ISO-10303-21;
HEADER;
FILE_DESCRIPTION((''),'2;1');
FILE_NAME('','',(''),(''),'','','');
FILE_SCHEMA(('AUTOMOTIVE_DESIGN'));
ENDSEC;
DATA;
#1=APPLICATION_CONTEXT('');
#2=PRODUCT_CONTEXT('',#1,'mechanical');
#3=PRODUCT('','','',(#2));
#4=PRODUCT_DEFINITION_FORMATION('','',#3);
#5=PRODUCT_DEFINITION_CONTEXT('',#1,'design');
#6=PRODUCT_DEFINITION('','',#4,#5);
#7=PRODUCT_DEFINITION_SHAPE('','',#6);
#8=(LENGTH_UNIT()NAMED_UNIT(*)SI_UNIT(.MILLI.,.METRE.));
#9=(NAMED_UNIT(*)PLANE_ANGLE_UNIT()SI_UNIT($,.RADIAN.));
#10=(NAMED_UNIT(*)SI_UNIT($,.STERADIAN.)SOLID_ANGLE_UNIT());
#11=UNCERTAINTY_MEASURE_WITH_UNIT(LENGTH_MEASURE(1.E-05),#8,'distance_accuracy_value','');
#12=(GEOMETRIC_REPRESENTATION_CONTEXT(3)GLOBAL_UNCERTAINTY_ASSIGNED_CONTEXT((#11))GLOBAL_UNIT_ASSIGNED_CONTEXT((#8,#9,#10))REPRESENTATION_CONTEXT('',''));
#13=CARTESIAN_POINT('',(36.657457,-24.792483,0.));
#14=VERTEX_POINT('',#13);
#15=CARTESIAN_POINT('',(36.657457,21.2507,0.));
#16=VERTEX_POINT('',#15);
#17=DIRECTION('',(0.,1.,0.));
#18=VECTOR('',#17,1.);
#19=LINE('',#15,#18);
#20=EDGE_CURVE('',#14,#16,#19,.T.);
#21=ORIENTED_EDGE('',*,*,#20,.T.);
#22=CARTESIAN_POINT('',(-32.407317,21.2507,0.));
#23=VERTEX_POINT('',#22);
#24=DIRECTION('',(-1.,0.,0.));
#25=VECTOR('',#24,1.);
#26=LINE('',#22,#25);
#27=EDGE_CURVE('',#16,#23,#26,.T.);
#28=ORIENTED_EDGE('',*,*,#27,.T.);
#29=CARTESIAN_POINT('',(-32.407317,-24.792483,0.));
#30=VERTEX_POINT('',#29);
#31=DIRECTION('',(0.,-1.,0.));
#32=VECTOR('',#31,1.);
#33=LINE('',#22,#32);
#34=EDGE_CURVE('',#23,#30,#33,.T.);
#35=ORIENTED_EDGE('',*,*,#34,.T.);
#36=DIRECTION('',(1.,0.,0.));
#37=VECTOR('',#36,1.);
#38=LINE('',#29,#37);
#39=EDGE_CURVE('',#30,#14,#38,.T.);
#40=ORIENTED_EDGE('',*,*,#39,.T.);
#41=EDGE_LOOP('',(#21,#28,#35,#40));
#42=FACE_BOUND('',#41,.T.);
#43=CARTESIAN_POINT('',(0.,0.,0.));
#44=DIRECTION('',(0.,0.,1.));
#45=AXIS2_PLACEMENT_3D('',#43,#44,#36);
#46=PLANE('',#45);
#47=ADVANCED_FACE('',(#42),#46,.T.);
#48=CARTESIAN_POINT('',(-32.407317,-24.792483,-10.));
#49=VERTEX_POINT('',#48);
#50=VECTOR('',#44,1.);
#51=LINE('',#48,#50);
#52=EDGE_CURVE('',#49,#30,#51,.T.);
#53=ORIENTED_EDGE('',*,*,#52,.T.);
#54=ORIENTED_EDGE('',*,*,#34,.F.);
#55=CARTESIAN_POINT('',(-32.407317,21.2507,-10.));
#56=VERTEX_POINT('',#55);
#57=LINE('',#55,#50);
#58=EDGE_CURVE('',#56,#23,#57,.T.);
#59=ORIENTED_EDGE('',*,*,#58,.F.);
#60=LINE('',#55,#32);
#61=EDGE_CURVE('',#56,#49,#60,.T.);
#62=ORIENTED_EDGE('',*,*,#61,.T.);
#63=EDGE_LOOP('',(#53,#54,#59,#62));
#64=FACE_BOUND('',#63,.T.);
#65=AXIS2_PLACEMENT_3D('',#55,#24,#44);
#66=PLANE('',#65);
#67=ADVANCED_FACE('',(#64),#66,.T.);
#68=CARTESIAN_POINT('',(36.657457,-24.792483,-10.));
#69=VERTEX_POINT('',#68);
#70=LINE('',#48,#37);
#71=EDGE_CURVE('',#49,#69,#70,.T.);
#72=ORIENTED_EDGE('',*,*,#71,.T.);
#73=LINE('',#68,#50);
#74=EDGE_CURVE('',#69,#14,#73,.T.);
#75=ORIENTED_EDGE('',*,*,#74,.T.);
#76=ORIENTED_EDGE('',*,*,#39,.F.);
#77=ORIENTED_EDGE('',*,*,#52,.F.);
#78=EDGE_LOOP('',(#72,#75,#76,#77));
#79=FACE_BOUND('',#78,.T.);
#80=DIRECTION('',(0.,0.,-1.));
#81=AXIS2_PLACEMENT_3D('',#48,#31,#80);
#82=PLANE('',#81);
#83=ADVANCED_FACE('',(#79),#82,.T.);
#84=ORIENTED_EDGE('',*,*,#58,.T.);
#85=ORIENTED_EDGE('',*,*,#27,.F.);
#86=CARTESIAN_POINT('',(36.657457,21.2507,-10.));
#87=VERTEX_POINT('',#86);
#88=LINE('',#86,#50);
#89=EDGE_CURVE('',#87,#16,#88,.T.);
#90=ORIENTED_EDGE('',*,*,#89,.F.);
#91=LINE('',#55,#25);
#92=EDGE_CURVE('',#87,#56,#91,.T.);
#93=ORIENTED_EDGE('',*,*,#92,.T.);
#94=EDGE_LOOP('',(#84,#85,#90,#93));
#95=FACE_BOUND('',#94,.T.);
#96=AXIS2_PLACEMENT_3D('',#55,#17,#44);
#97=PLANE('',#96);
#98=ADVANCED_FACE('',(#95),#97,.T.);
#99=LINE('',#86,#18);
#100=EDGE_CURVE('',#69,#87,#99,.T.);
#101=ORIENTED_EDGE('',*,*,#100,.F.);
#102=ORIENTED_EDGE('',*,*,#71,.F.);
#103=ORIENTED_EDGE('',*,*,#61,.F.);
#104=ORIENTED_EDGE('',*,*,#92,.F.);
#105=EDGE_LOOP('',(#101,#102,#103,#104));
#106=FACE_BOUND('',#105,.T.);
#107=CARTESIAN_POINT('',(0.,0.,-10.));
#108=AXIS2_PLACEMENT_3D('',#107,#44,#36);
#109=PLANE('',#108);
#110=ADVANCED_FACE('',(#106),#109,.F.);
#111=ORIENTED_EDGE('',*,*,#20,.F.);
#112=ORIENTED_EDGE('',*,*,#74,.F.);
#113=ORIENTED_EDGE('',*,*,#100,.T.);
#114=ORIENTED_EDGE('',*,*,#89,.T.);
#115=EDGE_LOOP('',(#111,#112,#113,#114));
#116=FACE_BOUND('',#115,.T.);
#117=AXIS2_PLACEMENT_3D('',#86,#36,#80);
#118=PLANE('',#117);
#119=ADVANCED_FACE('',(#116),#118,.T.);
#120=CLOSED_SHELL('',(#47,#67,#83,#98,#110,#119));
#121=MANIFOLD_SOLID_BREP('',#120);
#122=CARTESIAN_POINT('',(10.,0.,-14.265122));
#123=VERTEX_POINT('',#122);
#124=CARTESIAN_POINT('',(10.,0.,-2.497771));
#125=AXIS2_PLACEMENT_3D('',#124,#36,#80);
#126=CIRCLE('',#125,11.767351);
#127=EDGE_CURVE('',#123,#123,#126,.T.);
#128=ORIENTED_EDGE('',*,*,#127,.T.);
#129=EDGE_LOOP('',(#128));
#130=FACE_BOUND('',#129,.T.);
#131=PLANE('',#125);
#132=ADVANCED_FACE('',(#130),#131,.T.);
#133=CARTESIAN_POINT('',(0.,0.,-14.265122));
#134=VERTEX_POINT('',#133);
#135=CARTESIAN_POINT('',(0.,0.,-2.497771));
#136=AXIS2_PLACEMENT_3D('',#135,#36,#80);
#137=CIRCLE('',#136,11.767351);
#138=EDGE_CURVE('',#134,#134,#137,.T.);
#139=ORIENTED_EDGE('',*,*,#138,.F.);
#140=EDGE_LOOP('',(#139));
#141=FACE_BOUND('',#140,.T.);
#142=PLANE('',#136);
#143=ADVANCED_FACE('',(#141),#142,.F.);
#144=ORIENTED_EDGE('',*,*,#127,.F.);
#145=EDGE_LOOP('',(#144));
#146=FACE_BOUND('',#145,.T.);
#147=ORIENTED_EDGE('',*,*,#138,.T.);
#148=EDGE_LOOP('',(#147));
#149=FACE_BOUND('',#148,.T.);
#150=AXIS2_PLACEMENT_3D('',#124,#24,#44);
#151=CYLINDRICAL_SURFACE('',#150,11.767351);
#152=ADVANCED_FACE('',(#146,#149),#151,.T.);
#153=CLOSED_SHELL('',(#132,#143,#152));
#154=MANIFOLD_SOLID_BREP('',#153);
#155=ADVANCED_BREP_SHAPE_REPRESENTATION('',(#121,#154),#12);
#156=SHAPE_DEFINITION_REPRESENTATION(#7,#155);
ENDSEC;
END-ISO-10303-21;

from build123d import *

# Parameters (mm, degrees)
SKETCH_1_W      = 69.064774026
SKETCH_1_H      = 46.043182684
EXTRUDE_1_DEPTH = 10
SKETCH_2_R      = 11.767350743
EXTRUDE_3_DEPTH = 10


with BuildPart() as part:
    # Эскиз1 → Бобышка-Вытянуть1 (new body)
    with BuildSketch(Plane.XY):
        with Locations((2.12506997, -1.770891642)):
            Rectangle(SKETCH_1_W, SKETCH_1_H)
    extrude(amount=-EXTRUDE_1_DEPTH)


with BuildPart() as body_2:
    # Эскиз2 → Бобышка-Вытянуть3 (new body)
    with BuildSketch(Plane(origin=(0, 0, 0), x_dir=(0, 0, -1), z_dir=(1, 0, 0))):
        with Locations((-19.75002894, 0)):
            Circle(SKETCH_2_R)
    extrude(amount=EXTRUDE_3_DEPTH)


with BuildPart() as body_2_1:
    # Move Body 1: moved
    add(body_2.part.moved(Location((0, 0, -22.247799759))))


solid = Compound([part.part, body_2_1.part])
